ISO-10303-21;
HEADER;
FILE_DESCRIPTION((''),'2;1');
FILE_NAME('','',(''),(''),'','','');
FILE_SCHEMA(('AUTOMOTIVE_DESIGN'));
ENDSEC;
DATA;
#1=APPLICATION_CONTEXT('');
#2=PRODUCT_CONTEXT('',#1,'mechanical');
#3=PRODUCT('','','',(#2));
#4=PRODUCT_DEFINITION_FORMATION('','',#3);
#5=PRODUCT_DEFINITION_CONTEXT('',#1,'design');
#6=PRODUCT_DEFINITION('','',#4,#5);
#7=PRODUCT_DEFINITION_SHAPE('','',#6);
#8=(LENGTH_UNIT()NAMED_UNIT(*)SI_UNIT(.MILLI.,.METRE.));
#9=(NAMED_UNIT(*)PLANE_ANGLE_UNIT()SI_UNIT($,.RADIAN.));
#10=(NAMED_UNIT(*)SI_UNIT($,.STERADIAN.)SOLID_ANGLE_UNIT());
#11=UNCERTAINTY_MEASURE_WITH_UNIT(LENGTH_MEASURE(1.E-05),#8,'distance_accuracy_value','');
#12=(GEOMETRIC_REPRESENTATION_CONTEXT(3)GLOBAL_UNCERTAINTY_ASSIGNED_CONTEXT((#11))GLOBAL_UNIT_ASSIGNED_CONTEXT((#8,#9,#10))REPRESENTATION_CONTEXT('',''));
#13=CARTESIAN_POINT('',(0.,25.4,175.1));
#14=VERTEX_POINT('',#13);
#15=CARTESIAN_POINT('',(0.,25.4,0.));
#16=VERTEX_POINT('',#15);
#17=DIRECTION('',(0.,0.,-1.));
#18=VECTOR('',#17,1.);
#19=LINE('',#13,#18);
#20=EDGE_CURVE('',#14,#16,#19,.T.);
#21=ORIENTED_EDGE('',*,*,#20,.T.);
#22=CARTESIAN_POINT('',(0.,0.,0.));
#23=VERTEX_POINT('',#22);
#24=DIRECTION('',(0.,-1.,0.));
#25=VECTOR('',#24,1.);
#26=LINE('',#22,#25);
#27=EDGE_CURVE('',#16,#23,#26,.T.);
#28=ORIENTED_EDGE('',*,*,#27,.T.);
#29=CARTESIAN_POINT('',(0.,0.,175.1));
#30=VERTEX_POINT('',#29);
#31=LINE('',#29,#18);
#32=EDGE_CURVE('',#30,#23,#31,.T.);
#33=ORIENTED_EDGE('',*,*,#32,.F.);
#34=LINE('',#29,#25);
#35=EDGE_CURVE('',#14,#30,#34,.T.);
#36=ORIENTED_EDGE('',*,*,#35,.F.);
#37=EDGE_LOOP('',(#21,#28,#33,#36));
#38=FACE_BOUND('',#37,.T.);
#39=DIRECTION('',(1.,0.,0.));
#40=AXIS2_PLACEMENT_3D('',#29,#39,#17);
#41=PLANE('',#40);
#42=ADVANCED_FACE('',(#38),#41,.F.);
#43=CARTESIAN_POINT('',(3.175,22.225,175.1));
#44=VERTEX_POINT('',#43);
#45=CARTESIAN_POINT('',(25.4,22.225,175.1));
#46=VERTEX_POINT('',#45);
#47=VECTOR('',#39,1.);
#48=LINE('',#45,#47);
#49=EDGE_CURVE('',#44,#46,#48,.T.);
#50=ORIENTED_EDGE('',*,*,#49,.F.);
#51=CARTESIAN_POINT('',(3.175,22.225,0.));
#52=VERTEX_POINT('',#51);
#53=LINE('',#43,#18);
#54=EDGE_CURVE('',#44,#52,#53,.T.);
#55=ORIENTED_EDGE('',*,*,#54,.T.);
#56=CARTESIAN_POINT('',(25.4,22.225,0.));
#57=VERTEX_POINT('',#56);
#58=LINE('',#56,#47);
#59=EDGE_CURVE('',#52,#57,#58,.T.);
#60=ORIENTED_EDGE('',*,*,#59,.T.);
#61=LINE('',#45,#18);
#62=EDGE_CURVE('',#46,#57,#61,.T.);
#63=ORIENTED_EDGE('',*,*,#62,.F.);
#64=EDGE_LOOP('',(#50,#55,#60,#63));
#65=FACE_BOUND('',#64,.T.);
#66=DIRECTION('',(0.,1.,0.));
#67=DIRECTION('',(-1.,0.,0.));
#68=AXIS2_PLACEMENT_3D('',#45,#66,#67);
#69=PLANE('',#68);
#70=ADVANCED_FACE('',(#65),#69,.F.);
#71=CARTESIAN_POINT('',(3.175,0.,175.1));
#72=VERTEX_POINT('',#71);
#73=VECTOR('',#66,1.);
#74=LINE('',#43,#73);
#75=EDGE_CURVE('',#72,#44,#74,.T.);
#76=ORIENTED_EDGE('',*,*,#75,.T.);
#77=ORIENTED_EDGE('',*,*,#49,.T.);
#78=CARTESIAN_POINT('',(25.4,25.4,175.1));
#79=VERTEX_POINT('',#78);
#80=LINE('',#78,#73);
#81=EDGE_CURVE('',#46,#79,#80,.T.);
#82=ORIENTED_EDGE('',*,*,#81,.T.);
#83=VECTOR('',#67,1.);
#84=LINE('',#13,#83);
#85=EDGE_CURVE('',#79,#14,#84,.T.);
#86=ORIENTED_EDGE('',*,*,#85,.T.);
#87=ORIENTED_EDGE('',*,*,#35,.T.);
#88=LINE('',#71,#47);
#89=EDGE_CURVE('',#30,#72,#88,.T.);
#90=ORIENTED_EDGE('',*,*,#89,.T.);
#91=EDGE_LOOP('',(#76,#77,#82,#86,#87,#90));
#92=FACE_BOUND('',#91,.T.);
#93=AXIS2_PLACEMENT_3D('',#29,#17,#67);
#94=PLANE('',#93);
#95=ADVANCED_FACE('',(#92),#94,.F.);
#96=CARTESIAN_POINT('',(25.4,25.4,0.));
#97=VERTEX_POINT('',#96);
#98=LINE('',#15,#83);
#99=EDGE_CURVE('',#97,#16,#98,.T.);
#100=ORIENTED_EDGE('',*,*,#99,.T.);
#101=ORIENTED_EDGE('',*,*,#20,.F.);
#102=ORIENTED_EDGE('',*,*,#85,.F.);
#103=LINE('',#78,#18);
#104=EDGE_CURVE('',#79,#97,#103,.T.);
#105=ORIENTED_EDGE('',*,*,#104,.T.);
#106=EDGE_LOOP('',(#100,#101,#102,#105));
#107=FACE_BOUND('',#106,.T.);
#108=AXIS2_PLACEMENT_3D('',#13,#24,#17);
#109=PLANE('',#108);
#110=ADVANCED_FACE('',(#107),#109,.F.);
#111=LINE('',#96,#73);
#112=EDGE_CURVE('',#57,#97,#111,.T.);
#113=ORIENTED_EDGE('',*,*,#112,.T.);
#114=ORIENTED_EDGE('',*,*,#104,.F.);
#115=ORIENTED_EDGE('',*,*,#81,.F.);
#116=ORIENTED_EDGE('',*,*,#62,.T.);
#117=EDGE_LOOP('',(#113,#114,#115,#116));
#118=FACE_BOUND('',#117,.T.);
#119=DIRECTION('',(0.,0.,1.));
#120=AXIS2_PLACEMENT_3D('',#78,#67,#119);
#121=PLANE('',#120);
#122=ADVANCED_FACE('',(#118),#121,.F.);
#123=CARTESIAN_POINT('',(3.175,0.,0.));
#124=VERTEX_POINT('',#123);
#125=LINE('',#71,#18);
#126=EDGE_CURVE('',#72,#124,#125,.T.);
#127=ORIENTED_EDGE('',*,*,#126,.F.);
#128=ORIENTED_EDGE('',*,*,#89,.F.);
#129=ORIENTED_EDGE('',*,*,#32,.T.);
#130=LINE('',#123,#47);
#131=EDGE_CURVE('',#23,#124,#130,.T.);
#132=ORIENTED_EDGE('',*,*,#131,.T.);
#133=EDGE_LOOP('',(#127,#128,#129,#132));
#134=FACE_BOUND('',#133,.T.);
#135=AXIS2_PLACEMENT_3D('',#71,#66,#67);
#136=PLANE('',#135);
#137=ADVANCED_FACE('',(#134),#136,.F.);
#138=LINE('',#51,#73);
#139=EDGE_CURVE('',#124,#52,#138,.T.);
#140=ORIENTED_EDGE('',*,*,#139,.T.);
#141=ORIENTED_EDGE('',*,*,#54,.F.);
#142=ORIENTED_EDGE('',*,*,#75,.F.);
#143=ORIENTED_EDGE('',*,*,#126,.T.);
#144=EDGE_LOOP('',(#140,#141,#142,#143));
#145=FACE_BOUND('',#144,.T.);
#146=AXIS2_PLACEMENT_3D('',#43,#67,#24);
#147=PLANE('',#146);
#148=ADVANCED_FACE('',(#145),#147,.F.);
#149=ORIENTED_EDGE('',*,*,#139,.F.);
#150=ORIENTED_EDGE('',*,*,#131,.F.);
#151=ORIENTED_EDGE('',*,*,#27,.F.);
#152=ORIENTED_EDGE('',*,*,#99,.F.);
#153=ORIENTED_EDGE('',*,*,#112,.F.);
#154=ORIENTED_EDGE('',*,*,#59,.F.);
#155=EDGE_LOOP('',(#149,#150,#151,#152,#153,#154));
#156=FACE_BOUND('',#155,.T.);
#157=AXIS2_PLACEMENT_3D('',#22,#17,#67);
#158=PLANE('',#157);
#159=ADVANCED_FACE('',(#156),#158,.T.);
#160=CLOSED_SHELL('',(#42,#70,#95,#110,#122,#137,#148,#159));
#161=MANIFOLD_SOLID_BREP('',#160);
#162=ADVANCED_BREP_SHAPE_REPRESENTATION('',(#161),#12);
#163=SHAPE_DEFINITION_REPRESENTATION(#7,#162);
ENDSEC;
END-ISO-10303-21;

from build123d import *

# Parameters (mm, degrees)
BOSS_EXTRUDE1_DEPTH = 175.1


with BuildPart() as part:
    # Sketch1 → Boss-Extrude1 (new body)
    with BuildSketch(Plane.XY):
        Polygon((0, 0), (0, 25.4), (25.4, 25.4), (25.4, 22.225), (3.175, 22.225), (3.175, 0), align=None)
    extrude(amount=BOSS_EXTRUDE1_DEPTH)


solid = part.part
